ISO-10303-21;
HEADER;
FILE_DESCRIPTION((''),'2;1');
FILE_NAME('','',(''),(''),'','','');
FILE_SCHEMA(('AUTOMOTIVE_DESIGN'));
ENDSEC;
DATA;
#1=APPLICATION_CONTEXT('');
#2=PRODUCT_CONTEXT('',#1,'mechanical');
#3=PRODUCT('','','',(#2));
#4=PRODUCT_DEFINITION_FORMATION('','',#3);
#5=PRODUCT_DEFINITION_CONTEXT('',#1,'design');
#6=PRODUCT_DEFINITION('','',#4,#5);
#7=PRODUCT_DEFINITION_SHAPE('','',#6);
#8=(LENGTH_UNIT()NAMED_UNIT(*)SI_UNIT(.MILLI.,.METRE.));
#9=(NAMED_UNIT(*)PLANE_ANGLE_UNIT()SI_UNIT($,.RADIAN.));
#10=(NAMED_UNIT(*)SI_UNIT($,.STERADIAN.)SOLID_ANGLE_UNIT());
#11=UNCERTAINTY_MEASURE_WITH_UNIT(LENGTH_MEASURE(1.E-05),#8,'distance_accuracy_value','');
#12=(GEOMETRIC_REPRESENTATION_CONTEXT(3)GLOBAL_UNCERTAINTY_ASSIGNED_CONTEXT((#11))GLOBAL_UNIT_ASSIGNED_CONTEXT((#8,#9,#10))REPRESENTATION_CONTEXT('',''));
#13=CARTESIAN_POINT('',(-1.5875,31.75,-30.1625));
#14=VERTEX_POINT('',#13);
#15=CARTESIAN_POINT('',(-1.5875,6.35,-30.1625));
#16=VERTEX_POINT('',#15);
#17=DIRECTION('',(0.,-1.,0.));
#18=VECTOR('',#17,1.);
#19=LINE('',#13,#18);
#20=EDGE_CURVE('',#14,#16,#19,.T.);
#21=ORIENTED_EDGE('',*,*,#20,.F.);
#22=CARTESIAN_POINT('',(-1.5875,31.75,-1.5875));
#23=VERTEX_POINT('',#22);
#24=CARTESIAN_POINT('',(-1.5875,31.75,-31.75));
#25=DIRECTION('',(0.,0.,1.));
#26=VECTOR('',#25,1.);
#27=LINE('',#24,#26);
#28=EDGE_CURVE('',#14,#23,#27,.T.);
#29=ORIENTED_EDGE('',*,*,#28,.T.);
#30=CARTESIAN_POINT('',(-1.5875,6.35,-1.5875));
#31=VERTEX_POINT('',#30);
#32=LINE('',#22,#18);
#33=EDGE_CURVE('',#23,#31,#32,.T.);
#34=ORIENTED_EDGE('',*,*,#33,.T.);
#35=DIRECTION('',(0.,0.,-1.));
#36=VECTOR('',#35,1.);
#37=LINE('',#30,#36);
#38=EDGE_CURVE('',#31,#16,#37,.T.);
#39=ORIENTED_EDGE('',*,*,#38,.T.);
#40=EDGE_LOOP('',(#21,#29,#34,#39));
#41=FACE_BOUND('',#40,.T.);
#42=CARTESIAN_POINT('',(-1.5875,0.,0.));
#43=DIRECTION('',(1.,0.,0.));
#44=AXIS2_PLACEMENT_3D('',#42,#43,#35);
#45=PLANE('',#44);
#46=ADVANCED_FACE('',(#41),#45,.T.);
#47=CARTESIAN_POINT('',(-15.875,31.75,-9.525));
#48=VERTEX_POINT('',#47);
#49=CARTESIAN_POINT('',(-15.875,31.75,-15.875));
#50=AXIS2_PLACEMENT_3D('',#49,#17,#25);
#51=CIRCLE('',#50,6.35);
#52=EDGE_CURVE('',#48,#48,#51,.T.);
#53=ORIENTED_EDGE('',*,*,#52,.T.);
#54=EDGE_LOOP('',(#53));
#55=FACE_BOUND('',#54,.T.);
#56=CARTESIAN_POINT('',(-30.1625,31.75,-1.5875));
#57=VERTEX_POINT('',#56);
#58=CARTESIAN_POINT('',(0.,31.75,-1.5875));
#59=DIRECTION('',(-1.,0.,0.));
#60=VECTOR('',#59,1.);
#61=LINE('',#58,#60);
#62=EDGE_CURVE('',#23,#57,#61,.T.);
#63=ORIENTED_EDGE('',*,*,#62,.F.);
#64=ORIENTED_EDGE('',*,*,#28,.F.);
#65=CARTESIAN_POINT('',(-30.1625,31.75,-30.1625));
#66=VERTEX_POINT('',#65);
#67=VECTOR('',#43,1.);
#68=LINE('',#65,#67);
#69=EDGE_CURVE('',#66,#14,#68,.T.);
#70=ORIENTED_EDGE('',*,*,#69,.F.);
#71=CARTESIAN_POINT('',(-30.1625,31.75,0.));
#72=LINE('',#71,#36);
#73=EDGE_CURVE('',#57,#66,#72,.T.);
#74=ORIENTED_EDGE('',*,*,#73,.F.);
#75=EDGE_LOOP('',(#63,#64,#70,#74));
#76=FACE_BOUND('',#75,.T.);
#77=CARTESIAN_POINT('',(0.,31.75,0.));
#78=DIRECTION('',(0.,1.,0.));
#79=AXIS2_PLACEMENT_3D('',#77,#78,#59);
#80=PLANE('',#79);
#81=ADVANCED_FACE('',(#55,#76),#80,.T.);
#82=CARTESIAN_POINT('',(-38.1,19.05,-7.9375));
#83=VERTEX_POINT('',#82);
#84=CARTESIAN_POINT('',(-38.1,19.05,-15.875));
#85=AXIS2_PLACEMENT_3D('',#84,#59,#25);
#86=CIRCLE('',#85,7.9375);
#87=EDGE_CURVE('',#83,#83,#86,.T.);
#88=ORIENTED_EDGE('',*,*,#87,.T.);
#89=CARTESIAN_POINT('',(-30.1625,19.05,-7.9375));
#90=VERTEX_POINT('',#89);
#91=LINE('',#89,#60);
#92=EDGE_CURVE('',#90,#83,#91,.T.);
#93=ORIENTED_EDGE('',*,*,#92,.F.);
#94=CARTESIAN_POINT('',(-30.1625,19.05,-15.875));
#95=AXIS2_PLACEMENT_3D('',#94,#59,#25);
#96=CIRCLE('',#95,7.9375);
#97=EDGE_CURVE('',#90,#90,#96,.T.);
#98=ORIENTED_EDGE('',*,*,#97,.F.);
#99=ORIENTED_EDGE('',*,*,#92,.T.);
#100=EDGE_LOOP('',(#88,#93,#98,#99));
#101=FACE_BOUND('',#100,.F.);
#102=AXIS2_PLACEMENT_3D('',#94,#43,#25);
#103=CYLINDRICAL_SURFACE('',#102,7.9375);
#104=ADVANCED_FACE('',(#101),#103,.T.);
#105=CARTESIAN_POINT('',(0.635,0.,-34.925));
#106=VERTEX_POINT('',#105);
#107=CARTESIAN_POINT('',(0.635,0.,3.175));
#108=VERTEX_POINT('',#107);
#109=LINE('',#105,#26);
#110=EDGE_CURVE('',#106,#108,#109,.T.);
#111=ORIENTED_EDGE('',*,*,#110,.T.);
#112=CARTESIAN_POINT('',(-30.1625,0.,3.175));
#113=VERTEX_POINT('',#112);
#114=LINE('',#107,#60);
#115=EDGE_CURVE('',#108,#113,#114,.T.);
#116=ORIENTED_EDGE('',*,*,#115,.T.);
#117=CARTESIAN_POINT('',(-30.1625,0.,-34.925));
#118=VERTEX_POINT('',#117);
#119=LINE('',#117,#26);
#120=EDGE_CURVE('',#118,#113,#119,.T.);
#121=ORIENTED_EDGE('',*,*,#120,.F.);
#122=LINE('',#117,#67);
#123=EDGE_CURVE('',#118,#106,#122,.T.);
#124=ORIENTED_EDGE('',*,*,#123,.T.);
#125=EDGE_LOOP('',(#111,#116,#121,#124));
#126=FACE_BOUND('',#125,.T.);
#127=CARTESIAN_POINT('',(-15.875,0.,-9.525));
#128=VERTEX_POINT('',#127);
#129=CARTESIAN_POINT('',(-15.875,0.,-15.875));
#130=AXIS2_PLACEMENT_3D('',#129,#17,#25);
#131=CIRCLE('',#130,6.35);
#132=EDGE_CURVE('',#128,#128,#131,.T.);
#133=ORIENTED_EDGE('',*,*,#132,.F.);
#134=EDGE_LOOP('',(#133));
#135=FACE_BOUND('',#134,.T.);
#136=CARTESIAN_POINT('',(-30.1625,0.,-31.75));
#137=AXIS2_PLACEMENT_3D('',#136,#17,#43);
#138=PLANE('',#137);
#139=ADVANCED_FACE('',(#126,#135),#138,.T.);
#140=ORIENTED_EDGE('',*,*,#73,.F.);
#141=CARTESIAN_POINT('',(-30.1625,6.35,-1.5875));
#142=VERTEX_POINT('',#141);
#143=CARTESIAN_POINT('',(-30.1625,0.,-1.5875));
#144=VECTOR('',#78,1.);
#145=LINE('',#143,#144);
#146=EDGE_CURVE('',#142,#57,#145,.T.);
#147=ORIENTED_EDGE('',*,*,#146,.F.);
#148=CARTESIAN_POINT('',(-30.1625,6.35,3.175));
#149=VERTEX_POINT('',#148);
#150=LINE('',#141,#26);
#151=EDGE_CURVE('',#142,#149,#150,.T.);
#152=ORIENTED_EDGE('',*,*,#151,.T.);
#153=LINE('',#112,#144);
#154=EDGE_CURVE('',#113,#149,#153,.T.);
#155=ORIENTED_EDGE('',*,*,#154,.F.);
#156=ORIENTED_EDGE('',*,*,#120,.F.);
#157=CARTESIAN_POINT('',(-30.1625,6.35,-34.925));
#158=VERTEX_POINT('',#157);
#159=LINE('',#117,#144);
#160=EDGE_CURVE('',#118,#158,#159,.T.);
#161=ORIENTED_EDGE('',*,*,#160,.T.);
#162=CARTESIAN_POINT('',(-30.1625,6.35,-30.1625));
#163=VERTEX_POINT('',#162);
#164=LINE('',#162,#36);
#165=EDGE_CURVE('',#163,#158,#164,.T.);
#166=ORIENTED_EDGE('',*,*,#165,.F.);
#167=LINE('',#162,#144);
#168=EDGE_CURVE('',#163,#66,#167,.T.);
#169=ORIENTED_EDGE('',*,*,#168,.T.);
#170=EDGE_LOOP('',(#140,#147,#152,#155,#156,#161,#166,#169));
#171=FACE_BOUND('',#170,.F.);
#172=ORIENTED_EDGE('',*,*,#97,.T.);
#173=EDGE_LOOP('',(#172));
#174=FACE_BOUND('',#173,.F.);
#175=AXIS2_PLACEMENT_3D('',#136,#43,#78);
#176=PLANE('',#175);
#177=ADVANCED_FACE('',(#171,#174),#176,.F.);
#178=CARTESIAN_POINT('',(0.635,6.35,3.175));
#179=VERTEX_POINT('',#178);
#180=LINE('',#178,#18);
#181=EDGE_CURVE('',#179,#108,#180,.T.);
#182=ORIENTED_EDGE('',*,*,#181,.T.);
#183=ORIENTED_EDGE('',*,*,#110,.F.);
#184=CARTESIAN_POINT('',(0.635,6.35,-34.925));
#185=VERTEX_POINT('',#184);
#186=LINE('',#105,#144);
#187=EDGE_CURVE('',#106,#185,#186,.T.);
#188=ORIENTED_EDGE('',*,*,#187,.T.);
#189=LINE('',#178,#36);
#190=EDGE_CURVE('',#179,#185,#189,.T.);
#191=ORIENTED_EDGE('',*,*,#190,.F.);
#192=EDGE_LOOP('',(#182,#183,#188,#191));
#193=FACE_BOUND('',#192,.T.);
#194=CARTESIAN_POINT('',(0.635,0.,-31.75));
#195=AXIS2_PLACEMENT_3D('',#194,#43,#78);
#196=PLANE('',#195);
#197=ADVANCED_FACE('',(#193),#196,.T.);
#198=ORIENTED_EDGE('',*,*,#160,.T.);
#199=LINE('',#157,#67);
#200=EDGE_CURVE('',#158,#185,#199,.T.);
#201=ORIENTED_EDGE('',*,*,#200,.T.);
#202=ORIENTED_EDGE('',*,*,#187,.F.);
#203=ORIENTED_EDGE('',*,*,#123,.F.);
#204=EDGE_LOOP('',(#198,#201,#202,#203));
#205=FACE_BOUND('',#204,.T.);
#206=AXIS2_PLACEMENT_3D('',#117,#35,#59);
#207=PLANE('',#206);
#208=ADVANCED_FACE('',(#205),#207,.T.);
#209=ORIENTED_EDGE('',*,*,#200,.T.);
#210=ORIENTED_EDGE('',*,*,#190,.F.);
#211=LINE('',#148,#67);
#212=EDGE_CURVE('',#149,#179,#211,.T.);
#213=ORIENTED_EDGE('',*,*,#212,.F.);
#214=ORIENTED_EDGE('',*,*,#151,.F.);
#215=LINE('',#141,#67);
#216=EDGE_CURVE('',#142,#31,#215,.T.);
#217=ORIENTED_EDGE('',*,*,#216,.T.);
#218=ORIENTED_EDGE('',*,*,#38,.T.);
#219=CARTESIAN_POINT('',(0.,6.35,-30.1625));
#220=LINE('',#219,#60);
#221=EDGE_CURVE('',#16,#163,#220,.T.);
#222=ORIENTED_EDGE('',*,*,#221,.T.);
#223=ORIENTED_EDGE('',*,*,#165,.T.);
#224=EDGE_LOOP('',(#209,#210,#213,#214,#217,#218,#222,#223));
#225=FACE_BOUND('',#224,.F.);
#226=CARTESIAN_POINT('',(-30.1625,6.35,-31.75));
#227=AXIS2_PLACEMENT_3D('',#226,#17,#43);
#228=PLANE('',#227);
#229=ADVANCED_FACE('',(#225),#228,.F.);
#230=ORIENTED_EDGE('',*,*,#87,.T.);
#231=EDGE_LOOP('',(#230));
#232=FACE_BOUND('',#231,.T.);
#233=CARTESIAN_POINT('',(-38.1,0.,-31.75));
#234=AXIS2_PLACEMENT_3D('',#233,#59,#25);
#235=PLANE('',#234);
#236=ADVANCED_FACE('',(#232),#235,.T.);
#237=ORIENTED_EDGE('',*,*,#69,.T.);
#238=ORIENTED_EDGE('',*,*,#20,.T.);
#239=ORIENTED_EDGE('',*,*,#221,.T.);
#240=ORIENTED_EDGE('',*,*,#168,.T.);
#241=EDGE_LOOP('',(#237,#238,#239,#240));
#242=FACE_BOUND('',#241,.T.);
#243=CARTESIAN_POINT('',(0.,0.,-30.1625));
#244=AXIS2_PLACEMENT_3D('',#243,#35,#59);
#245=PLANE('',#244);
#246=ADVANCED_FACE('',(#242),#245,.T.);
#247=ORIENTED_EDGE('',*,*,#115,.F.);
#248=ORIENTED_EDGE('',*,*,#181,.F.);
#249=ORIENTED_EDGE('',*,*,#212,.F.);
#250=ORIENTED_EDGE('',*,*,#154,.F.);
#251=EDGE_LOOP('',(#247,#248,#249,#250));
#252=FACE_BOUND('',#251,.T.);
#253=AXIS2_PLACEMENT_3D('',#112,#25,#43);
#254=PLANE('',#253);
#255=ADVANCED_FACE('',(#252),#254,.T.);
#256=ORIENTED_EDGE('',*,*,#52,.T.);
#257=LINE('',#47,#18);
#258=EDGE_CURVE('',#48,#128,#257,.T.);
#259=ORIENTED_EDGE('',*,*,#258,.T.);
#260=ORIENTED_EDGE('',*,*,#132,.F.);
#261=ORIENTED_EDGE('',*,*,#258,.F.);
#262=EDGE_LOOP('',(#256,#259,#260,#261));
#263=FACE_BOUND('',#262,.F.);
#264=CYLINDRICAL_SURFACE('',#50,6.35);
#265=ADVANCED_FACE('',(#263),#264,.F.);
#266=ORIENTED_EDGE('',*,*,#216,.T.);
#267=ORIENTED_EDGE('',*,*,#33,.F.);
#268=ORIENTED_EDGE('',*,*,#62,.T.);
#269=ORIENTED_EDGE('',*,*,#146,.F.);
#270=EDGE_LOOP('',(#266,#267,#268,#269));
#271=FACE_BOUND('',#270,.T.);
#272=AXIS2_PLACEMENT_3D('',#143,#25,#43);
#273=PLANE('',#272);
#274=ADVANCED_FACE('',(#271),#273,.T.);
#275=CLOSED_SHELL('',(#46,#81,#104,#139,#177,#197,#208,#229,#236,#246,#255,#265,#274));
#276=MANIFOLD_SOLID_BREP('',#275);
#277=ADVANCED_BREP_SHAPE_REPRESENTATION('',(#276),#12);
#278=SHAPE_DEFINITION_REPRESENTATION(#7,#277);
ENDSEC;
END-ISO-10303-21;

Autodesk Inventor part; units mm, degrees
ref_plane "YZ Plane" through (0, 0, 0) normal (1, 0, 0) x (0, 1, 0)
ref_plane "XZ Plane" through (0, 0, 0) normal (0, 1, 0) x (-1, 0, 0)
ref_plane "XY Plane" through (0, 0, 0) normal (0, 0, 1) x (1, 0, 0)
sketch "Sketch1" plane through (0, 0, 0) normal (0, 1, 0) x (-1, 0, 0)
  line L0 (0, 0) -> (30.1625, 0)
  line L1 (30.1625, 0) -> (30.1625, -31.75)
  line L2 (30.1625, -31.75) -> (0, -31.75)
  line L3 (0, -31.75) -> (0, 0)
  dimension "d0" = 31.75
  dimension "d1" = 30.1625
extrude "Extrusion1" add sketch "Sketch1" along normal blind 31.75
sketch "Sketch2" plane through (-30.1625, 0, 0) normal (0, 0, 1) x (1, 0, 0)
  line L0 (0, 0) -> (0, 31.75) projected
  line L1 (30.1625, 0) -> (30.1625, 31.75) projected
  line L2 (30.1625, 0) -> (0, 0) projected
  line L3 (0, 6.35) -> (30.1625, 6.35)
  line L4 (30.1625, 6.35) -> (30.1625, 31.75)
  line L5 (30.1625, 31.75) -> (0, 31.75)
  line L6 (0, 31.75) -> (0, 6.35)
  dimension "d5" = 6.35
extrude "Extrusion2" cut sketch "Sketch2" against normal blind 1.5875 contours L0 L5 L1 L3
sketch "Sketch3" plane through (0, 0, 0) normal (1, 0, 0) x (0, 0, -1)
  line L0 (1.5875, 31.75) -> (1.5875, 6.35) projected
  line L1 (31.75, 0) -> (31.75, 31.75) projected
  line L2 (1.5875, 6.35) -> (31.75, 6.35)
  line L3 (31.75, 6.35) -> (31.75, 31.75)
  line L4 (31.75, 31.75) -> (1.5875, 31.75)
  line L5 (1.5875, 31.75) -> (1.5875, 6.35)
  point P0 (0, 0)
extrude "Extrusion3" cut sketch "Sketch3" against normal blind 1.5875
sketch "Sketch4" plane through (0, 0, -31.75) normal (0, 0, -1) x (-1, 0, 0)
  line L0 (0, 6.35) -> (30.1625, 6.35) projected
  line L1 (30.1625, 6.35) -> (30.1625, 31.75) projected
  line L2 (1.5875, 6.35) -> (30.1625, 6.35)
  line L3 (30.1625, 6.35) -> (30.1625, 31.75)
  line L4 (30.1625, 31.75) -> (1.5875, 31.75)
  line L5 (1.5875, 31.75) -> (1.5875, 6.35)
  line L6 (1.5875, 31.75) -> (1.5875, 6.35) projected
  point P0 (0, 0)
  dimension "d10" = 0
extrude "Extrusion4" cut sketch "Sketch4" against normal blind 1.5875
sketch "Sketch9" plane through (0, 31.75, 0) normal (0, 1, 0) x (1, 0, 0)
  line L0 (0, 31.75) -> (0, 0) projected
  line L1 (-30.1625, 31.75) -> (0, 31.75) projected
  point P0 (-15.875, 15.875)
  dimension "d23" = 15.875
  dimension "d24" = 15.875
hole "Hole1" at (-15.875, 31.75, -15.875) direction (0, -1, 0) diameter 12.7 end through all
sketch "Sketch10" plane through (-30.1625, 0, -31.75) normal (-1, 0, 0) x (0, 0, 1)
  circle A0 centre (15.875, 19.05) radius 7.9375
  line L0 (31.75, 0) -> (31.75, 6.35) projected
  line L1 (1.5875, 31.75) -> (30.1625, 31.75) projected
  line L2 (30.1625, 6.35) -> (30.1625, 31.75) projected
  dimension "d33" = 15.875
  dimension "d34" = 15.875
extrude "Extrusion6" add sketch "Sketch10" along normal blind 7.9375
sketch "Sketch12" plane through (0, 0, 0) normal (1, 0, 0) x (0, 0, -1)
  line L0 (31.75, 6.35) -> (0, 6.35) projected
  line L1 (0, 0) -> (0, 6.35) projected
  line L2 (31.75, 0) -> (0, 0) projected
  line L3 (31.75, 0) -> (31.75, 6.35) projected
extrude "Extrusion8" add sketch "Sketch12" along normal blind 0.635
sketch "Sketch13" plane through (-30.1625, 0, 0) normal (0, 0, 1) x (1, 0, 0)
  line L0 (0, 6.35) -> (30.7975, 6.35) projected
  line L1 (0, 0) -> (0, 6.35) projected
  line L2 (30.7975, 0) -> (0, 0) projected
  line L3 (30.7975, 6.35) -> (30.7975, 0) projected
  point P0 (30.1625, 0)
extrude "Extrusion9" add sketch "Sketch13" along normal blind 3.175
sketch "Sketch14" plane through (-30.1625, 0, -31.75) normal (0, 0, -1) x (-1, 0, 0)
  line L0 (0, 6.35) -> (-30.7975, 6.35) projected
  line L1 (-30.7975, 0) -> (-30.7975, 6.35) projected
  line L2 (0, 0) -> (-30.7975, 0) projected
  line L3 (0, 0) -> (0, 6.35) projected
  point P0 (-30.1625, 0)
extrude "Extrusion10" add sketch "Sketch14" along normal blind 3.175
equation "\"d24\" = d23"
properties part number "WackyPlug"
